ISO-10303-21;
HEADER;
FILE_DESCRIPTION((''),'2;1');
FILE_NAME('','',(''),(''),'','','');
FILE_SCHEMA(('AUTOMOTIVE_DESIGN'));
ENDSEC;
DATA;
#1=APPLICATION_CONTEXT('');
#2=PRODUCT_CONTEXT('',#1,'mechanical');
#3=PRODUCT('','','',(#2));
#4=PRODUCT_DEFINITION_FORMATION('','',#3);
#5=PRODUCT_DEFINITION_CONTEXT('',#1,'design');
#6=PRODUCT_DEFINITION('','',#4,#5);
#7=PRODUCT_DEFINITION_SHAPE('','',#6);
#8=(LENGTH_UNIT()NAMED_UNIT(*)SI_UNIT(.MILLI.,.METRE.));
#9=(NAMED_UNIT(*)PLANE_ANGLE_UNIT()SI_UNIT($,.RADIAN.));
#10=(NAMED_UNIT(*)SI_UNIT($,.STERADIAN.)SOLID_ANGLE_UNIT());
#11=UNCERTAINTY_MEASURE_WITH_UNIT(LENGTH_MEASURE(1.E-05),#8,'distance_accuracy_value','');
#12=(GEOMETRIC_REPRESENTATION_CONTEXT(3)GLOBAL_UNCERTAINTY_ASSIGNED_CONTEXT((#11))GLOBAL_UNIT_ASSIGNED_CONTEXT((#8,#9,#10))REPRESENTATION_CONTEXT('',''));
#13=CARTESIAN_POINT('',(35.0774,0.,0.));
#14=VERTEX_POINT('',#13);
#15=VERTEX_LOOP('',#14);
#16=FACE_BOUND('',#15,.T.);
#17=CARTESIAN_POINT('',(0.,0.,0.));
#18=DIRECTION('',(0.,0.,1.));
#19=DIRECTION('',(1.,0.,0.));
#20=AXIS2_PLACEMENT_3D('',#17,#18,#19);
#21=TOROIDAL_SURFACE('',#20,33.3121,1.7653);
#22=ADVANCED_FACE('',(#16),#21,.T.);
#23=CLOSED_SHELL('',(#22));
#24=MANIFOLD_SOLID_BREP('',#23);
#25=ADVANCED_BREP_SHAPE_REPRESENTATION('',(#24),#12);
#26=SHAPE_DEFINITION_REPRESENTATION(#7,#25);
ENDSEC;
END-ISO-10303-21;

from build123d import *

# Parameters (mm, degrees)
SKETCH1_R = 1.7653


with BuildPart() as part:
    # Sketch1 → Revolve1 (revolve)
    with BuildSketch(Plane(origin=(0, 0, 0), x_dir=(0, -1, 0), z_dir=(1, 0, 0))):
        with Locations((33.3121, 0)):
            Circle(SKETCH1_R)
    revolve(axis=Axis((0, 0, 1.7653), (0, 0, -1)))


solid = part.part
